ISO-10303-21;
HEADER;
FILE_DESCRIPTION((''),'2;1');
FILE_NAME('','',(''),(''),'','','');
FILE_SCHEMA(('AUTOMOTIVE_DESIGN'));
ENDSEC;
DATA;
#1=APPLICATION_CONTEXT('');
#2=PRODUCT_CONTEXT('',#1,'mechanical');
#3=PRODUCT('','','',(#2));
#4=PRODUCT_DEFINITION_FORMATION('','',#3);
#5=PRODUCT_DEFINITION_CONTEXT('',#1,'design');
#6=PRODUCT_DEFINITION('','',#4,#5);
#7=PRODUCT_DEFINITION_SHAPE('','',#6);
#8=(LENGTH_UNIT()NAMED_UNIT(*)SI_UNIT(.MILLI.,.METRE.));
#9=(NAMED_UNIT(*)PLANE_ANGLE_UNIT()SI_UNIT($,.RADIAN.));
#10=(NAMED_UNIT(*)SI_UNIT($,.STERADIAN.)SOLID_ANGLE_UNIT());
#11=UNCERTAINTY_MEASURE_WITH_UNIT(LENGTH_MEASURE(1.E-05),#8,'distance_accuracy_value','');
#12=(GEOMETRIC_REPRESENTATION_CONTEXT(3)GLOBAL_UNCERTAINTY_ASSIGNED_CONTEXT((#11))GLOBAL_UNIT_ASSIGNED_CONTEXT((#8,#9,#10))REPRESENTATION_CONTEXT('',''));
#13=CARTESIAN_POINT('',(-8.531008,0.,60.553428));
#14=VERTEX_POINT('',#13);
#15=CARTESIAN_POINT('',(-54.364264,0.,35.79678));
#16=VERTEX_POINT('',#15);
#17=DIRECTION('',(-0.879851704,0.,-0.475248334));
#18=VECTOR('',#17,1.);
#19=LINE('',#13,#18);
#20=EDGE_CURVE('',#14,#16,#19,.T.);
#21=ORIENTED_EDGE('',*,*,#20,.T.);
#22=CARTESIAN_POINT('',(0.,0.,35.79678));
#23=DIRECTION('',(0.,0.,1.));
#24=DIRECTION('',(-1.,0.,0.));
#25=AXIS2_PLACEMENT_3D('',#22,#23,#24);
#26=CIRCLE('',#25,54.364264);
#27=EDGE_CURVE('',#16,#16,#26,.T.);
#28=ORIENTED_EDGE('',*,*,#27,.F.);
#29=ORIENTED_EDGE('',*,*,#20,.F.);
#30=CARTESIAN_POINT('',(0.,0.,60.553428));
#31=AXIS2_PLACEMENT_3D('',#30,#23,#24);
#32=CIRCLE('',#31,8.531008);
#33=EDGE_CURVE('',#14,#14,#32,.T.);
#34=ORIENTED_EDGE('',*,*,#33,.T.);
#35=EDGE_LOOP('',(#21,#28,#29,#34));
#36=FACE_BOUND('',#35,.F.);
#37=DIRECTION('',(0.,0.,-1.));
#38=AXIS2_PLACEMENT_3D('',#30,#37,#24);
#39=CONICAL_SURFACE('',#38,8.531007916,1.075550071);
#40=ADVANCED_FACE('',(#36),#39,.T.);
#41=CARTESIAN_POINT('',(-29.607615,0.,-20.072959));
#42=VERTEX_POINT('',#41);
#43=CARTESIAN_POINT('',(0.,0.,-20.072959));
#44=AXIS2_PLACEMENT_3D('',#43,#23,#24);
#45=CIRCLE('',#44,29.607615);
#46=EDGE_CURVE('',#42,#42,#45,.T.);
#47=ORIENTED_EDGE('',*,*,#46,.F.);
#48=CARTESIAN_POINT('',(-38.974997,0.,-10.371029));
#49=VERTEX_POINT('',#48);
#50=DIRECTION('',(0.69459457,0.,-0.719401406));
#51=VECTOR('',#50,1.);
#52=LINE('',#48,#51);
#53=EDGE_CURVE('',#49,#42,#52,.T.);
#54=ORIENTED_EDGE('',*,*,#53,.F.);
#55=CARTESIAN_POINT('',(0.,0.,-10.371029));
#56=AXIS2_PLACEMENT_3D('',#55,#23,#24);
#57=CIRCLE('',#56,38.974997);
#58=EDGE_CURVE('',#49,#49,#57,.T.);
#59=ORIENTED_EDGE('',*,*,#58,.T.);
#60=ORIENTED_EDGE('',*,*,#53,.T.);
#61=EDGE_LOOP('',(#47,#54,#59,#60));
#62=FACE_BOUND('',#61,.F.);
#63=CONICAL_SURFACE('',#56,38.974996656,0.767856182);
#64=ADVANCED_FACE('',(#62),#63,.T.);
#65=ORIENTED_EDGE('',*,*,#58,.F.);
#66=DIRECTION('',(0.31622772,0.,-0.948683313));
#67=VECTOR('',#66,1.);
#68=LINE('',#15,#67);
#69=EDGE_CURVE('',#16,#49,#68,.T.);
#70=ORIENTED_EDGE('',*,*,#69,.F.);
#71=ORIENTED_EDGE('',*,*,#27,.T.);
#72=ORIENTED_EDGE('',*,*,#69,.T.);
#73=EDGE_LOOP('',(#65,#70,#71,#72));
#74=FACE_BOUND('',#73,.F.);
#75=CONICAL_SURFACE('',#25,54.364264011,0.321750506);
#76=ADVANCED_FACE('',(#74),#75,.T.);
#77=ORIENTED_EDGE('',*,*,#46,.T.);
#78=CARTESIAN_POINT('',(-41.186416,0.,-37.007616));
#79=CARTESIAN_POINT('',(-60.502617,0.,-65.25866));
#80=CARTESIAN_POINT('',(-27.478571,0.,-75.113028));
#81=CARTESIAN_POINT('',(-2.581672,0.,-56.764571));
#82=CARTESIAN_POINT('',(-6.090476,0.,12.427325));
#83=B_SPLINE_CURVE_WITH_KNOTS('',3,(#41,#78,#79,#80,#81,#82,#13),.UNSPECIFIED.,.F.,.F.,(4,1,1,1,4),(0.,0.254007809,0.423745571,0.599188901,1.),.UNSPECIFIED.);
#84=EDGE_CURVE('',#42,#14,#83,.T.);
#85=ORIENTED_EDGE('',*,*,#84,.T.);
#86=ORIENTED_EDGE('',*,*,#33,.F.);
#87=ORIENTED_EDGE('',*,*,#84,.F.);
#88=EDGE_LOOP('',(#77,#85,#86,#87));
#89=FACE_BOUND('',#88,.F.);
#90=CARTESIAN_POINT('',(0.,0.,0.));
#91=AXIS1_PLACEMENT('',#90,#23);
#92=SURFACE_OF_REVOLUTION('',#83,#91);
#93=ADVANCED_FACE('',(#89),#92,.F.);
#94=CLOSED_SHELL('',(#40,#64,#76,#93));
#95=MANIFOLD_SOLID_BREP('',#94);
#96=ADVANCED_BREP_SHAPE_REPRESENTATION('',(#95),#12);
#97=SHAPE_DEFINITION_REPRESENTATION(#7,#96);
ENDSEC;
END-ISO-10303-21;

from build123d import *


with BuildPart() as f2:
    # F1 (on Front) → F2 (revolve)
    with BuildSketch(Plane.XZ):
        with BuildLine():
            add(Edge.make_bspline(
                [(-29.6076145023, -20.0729593635), (-41.1864159425, -37.0076161089), (-60.5026166739, -65.2586601137), (-27.4785711251, -75.1130279832), (-2.5816717007, -56.7645710334), (-6.0904756102, 12.4273250097), (-8.5310079157, 60.5534277856)],
                knots=[0, 0, 0, 0, 0.2540078089, 0.4237455707, 0.5991889011, 1, 1, 1, 1], degree=3))
            Line((-8.5310079157, 60.5534277856), (-54.3642640114, 35.7967801392))
            Line((-54.3642640114, 35.7967801392), (-38.9749966562, -10.371029377))
            Line((-38.9749966562, -10.371029377), (-29.6076145023, -20.0729593635))
        make_face()
    revolve(axis=Axis((0, 0, 0), (0, 0, 1)))


solid = f2.part
